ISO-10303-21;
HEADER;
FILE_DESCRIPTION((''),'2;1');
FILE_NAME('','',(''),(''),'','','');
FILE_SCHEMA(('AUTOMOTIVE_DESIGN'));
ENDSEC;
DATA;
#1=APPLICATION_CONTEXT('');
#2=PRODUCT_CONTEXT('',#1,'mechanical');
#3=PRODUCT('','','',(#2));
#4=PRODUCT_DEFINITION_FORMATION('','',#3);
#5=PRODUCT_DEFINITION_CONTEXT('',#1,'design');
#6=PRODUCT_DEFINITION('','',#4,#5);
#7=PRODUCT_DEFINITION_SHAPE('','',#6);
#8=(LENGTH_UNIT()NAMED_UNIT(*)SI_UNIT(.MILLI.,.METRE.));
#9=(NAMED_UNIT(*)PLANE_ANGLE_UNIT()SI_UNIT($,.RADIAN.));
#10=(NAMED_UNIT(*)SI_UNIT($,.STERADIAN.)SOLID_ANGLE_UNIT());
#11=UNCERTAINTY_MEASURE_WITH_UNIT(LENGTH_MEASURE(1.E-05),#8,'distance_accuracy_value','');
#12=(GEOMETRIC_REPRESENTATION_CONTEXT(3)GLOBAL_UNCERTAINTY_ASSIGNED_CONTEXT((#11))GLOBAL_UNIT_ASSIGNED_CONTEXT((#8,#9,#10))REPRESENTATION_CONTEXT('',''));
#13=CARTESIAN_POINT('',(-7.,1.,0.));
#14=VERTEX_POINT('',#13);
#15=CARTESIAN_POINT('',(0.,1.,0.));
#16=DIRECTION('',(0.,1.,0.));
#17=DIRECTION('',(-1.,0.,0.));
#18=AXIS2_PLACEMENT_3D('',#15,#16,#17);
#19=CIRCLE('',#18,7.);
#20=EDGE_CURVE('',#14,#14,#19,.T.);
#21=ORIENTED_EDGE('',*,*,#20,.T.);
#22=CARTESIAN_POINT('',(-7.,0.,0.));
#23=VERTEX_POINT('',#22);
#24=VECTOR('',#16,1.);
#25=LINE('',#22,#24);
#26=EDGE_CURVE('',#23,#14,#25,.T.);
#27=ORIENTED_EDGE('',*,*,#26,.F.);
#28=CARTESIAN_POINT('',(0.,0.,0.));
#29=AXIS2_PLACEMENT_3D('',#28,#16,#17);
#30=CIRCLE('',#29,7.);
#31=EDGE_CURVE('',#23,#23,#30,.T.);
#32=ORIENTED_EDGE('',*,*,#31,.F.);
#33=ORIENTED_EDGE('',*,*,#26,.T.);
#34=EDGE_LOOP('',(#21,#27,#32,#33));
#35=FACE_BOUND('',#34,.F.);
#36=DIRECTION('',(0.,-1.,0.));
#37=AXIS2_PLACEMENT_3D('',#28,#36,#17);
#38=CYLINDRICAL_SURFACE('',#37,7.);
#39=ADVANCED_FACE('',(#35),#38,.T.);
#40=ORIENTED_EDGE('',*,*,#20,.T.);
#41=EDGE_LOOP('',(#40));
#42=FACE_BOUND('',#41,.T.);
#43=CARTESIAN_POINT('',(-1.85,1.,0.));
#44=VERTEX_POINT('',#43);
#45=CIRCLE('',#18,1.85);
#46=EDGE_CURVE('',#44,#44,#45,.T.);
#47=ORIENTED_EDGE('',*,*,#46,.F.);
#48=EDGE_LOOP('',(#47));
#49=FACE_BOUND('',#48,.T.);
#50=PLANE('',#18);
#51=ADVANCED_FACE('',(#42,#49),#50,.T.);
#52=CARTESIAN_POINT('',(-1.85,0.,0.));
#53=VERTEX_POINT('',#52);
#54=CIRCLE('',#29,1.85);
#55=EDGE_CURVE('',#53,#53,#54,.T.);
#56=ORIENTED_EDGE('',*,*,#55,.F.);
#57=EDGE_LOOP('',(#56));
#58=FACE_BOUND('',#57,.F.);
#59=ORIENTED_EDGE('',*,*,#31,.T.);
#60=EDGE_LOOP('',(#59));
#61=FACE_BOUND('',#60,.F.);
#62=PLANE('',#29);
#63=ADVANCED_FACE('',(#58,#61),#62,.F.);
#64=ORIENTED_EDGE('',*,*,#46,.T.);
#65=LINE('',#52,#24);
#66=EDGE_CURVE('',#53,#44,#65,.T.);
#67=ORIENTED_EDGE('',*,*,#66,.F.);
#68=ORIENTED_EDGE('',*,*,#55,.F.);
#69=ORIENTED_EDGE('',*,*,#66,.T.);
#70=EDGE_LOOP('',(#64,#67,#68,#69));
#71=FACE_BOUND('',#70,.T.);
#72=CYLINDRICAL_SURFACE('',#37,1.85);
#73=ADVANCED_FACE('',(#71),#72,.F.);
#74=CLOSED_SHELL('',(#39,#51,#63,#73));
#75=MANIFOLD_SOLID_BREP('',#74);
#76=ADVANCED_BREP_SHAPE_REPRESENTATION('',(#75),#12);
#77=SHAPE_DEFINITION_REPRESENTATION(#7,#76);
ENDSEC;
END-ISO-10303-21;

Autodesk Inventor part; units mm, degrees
ref_plane "YZ Plane" through (0, 0, 0) normal (1, 0, 0) x (0, 1, 0)
ref_plane "XZ Plane" through (0, 0, 0) normal (0, 1, 0) x (-1, 0, 0)
ref_plane "XY Plane" through (0, 0, 0) normal (0, 0, 1) x (1, 0, 0)
sketch "Sketch1" plane through (0, 0, 0) normal (0, 1, 0) x (-1, 0, 0)
  circle A0 centre (0, 0) radius 7
  circle A1 centre (0, 0) radius 1.85
  dimension "d0" = 14
  dimension "d1" = 3.7
extrude "Extrusion1" add sketch "Sketch1" along normal blind 1
properties part number "Aruela peça 9"
